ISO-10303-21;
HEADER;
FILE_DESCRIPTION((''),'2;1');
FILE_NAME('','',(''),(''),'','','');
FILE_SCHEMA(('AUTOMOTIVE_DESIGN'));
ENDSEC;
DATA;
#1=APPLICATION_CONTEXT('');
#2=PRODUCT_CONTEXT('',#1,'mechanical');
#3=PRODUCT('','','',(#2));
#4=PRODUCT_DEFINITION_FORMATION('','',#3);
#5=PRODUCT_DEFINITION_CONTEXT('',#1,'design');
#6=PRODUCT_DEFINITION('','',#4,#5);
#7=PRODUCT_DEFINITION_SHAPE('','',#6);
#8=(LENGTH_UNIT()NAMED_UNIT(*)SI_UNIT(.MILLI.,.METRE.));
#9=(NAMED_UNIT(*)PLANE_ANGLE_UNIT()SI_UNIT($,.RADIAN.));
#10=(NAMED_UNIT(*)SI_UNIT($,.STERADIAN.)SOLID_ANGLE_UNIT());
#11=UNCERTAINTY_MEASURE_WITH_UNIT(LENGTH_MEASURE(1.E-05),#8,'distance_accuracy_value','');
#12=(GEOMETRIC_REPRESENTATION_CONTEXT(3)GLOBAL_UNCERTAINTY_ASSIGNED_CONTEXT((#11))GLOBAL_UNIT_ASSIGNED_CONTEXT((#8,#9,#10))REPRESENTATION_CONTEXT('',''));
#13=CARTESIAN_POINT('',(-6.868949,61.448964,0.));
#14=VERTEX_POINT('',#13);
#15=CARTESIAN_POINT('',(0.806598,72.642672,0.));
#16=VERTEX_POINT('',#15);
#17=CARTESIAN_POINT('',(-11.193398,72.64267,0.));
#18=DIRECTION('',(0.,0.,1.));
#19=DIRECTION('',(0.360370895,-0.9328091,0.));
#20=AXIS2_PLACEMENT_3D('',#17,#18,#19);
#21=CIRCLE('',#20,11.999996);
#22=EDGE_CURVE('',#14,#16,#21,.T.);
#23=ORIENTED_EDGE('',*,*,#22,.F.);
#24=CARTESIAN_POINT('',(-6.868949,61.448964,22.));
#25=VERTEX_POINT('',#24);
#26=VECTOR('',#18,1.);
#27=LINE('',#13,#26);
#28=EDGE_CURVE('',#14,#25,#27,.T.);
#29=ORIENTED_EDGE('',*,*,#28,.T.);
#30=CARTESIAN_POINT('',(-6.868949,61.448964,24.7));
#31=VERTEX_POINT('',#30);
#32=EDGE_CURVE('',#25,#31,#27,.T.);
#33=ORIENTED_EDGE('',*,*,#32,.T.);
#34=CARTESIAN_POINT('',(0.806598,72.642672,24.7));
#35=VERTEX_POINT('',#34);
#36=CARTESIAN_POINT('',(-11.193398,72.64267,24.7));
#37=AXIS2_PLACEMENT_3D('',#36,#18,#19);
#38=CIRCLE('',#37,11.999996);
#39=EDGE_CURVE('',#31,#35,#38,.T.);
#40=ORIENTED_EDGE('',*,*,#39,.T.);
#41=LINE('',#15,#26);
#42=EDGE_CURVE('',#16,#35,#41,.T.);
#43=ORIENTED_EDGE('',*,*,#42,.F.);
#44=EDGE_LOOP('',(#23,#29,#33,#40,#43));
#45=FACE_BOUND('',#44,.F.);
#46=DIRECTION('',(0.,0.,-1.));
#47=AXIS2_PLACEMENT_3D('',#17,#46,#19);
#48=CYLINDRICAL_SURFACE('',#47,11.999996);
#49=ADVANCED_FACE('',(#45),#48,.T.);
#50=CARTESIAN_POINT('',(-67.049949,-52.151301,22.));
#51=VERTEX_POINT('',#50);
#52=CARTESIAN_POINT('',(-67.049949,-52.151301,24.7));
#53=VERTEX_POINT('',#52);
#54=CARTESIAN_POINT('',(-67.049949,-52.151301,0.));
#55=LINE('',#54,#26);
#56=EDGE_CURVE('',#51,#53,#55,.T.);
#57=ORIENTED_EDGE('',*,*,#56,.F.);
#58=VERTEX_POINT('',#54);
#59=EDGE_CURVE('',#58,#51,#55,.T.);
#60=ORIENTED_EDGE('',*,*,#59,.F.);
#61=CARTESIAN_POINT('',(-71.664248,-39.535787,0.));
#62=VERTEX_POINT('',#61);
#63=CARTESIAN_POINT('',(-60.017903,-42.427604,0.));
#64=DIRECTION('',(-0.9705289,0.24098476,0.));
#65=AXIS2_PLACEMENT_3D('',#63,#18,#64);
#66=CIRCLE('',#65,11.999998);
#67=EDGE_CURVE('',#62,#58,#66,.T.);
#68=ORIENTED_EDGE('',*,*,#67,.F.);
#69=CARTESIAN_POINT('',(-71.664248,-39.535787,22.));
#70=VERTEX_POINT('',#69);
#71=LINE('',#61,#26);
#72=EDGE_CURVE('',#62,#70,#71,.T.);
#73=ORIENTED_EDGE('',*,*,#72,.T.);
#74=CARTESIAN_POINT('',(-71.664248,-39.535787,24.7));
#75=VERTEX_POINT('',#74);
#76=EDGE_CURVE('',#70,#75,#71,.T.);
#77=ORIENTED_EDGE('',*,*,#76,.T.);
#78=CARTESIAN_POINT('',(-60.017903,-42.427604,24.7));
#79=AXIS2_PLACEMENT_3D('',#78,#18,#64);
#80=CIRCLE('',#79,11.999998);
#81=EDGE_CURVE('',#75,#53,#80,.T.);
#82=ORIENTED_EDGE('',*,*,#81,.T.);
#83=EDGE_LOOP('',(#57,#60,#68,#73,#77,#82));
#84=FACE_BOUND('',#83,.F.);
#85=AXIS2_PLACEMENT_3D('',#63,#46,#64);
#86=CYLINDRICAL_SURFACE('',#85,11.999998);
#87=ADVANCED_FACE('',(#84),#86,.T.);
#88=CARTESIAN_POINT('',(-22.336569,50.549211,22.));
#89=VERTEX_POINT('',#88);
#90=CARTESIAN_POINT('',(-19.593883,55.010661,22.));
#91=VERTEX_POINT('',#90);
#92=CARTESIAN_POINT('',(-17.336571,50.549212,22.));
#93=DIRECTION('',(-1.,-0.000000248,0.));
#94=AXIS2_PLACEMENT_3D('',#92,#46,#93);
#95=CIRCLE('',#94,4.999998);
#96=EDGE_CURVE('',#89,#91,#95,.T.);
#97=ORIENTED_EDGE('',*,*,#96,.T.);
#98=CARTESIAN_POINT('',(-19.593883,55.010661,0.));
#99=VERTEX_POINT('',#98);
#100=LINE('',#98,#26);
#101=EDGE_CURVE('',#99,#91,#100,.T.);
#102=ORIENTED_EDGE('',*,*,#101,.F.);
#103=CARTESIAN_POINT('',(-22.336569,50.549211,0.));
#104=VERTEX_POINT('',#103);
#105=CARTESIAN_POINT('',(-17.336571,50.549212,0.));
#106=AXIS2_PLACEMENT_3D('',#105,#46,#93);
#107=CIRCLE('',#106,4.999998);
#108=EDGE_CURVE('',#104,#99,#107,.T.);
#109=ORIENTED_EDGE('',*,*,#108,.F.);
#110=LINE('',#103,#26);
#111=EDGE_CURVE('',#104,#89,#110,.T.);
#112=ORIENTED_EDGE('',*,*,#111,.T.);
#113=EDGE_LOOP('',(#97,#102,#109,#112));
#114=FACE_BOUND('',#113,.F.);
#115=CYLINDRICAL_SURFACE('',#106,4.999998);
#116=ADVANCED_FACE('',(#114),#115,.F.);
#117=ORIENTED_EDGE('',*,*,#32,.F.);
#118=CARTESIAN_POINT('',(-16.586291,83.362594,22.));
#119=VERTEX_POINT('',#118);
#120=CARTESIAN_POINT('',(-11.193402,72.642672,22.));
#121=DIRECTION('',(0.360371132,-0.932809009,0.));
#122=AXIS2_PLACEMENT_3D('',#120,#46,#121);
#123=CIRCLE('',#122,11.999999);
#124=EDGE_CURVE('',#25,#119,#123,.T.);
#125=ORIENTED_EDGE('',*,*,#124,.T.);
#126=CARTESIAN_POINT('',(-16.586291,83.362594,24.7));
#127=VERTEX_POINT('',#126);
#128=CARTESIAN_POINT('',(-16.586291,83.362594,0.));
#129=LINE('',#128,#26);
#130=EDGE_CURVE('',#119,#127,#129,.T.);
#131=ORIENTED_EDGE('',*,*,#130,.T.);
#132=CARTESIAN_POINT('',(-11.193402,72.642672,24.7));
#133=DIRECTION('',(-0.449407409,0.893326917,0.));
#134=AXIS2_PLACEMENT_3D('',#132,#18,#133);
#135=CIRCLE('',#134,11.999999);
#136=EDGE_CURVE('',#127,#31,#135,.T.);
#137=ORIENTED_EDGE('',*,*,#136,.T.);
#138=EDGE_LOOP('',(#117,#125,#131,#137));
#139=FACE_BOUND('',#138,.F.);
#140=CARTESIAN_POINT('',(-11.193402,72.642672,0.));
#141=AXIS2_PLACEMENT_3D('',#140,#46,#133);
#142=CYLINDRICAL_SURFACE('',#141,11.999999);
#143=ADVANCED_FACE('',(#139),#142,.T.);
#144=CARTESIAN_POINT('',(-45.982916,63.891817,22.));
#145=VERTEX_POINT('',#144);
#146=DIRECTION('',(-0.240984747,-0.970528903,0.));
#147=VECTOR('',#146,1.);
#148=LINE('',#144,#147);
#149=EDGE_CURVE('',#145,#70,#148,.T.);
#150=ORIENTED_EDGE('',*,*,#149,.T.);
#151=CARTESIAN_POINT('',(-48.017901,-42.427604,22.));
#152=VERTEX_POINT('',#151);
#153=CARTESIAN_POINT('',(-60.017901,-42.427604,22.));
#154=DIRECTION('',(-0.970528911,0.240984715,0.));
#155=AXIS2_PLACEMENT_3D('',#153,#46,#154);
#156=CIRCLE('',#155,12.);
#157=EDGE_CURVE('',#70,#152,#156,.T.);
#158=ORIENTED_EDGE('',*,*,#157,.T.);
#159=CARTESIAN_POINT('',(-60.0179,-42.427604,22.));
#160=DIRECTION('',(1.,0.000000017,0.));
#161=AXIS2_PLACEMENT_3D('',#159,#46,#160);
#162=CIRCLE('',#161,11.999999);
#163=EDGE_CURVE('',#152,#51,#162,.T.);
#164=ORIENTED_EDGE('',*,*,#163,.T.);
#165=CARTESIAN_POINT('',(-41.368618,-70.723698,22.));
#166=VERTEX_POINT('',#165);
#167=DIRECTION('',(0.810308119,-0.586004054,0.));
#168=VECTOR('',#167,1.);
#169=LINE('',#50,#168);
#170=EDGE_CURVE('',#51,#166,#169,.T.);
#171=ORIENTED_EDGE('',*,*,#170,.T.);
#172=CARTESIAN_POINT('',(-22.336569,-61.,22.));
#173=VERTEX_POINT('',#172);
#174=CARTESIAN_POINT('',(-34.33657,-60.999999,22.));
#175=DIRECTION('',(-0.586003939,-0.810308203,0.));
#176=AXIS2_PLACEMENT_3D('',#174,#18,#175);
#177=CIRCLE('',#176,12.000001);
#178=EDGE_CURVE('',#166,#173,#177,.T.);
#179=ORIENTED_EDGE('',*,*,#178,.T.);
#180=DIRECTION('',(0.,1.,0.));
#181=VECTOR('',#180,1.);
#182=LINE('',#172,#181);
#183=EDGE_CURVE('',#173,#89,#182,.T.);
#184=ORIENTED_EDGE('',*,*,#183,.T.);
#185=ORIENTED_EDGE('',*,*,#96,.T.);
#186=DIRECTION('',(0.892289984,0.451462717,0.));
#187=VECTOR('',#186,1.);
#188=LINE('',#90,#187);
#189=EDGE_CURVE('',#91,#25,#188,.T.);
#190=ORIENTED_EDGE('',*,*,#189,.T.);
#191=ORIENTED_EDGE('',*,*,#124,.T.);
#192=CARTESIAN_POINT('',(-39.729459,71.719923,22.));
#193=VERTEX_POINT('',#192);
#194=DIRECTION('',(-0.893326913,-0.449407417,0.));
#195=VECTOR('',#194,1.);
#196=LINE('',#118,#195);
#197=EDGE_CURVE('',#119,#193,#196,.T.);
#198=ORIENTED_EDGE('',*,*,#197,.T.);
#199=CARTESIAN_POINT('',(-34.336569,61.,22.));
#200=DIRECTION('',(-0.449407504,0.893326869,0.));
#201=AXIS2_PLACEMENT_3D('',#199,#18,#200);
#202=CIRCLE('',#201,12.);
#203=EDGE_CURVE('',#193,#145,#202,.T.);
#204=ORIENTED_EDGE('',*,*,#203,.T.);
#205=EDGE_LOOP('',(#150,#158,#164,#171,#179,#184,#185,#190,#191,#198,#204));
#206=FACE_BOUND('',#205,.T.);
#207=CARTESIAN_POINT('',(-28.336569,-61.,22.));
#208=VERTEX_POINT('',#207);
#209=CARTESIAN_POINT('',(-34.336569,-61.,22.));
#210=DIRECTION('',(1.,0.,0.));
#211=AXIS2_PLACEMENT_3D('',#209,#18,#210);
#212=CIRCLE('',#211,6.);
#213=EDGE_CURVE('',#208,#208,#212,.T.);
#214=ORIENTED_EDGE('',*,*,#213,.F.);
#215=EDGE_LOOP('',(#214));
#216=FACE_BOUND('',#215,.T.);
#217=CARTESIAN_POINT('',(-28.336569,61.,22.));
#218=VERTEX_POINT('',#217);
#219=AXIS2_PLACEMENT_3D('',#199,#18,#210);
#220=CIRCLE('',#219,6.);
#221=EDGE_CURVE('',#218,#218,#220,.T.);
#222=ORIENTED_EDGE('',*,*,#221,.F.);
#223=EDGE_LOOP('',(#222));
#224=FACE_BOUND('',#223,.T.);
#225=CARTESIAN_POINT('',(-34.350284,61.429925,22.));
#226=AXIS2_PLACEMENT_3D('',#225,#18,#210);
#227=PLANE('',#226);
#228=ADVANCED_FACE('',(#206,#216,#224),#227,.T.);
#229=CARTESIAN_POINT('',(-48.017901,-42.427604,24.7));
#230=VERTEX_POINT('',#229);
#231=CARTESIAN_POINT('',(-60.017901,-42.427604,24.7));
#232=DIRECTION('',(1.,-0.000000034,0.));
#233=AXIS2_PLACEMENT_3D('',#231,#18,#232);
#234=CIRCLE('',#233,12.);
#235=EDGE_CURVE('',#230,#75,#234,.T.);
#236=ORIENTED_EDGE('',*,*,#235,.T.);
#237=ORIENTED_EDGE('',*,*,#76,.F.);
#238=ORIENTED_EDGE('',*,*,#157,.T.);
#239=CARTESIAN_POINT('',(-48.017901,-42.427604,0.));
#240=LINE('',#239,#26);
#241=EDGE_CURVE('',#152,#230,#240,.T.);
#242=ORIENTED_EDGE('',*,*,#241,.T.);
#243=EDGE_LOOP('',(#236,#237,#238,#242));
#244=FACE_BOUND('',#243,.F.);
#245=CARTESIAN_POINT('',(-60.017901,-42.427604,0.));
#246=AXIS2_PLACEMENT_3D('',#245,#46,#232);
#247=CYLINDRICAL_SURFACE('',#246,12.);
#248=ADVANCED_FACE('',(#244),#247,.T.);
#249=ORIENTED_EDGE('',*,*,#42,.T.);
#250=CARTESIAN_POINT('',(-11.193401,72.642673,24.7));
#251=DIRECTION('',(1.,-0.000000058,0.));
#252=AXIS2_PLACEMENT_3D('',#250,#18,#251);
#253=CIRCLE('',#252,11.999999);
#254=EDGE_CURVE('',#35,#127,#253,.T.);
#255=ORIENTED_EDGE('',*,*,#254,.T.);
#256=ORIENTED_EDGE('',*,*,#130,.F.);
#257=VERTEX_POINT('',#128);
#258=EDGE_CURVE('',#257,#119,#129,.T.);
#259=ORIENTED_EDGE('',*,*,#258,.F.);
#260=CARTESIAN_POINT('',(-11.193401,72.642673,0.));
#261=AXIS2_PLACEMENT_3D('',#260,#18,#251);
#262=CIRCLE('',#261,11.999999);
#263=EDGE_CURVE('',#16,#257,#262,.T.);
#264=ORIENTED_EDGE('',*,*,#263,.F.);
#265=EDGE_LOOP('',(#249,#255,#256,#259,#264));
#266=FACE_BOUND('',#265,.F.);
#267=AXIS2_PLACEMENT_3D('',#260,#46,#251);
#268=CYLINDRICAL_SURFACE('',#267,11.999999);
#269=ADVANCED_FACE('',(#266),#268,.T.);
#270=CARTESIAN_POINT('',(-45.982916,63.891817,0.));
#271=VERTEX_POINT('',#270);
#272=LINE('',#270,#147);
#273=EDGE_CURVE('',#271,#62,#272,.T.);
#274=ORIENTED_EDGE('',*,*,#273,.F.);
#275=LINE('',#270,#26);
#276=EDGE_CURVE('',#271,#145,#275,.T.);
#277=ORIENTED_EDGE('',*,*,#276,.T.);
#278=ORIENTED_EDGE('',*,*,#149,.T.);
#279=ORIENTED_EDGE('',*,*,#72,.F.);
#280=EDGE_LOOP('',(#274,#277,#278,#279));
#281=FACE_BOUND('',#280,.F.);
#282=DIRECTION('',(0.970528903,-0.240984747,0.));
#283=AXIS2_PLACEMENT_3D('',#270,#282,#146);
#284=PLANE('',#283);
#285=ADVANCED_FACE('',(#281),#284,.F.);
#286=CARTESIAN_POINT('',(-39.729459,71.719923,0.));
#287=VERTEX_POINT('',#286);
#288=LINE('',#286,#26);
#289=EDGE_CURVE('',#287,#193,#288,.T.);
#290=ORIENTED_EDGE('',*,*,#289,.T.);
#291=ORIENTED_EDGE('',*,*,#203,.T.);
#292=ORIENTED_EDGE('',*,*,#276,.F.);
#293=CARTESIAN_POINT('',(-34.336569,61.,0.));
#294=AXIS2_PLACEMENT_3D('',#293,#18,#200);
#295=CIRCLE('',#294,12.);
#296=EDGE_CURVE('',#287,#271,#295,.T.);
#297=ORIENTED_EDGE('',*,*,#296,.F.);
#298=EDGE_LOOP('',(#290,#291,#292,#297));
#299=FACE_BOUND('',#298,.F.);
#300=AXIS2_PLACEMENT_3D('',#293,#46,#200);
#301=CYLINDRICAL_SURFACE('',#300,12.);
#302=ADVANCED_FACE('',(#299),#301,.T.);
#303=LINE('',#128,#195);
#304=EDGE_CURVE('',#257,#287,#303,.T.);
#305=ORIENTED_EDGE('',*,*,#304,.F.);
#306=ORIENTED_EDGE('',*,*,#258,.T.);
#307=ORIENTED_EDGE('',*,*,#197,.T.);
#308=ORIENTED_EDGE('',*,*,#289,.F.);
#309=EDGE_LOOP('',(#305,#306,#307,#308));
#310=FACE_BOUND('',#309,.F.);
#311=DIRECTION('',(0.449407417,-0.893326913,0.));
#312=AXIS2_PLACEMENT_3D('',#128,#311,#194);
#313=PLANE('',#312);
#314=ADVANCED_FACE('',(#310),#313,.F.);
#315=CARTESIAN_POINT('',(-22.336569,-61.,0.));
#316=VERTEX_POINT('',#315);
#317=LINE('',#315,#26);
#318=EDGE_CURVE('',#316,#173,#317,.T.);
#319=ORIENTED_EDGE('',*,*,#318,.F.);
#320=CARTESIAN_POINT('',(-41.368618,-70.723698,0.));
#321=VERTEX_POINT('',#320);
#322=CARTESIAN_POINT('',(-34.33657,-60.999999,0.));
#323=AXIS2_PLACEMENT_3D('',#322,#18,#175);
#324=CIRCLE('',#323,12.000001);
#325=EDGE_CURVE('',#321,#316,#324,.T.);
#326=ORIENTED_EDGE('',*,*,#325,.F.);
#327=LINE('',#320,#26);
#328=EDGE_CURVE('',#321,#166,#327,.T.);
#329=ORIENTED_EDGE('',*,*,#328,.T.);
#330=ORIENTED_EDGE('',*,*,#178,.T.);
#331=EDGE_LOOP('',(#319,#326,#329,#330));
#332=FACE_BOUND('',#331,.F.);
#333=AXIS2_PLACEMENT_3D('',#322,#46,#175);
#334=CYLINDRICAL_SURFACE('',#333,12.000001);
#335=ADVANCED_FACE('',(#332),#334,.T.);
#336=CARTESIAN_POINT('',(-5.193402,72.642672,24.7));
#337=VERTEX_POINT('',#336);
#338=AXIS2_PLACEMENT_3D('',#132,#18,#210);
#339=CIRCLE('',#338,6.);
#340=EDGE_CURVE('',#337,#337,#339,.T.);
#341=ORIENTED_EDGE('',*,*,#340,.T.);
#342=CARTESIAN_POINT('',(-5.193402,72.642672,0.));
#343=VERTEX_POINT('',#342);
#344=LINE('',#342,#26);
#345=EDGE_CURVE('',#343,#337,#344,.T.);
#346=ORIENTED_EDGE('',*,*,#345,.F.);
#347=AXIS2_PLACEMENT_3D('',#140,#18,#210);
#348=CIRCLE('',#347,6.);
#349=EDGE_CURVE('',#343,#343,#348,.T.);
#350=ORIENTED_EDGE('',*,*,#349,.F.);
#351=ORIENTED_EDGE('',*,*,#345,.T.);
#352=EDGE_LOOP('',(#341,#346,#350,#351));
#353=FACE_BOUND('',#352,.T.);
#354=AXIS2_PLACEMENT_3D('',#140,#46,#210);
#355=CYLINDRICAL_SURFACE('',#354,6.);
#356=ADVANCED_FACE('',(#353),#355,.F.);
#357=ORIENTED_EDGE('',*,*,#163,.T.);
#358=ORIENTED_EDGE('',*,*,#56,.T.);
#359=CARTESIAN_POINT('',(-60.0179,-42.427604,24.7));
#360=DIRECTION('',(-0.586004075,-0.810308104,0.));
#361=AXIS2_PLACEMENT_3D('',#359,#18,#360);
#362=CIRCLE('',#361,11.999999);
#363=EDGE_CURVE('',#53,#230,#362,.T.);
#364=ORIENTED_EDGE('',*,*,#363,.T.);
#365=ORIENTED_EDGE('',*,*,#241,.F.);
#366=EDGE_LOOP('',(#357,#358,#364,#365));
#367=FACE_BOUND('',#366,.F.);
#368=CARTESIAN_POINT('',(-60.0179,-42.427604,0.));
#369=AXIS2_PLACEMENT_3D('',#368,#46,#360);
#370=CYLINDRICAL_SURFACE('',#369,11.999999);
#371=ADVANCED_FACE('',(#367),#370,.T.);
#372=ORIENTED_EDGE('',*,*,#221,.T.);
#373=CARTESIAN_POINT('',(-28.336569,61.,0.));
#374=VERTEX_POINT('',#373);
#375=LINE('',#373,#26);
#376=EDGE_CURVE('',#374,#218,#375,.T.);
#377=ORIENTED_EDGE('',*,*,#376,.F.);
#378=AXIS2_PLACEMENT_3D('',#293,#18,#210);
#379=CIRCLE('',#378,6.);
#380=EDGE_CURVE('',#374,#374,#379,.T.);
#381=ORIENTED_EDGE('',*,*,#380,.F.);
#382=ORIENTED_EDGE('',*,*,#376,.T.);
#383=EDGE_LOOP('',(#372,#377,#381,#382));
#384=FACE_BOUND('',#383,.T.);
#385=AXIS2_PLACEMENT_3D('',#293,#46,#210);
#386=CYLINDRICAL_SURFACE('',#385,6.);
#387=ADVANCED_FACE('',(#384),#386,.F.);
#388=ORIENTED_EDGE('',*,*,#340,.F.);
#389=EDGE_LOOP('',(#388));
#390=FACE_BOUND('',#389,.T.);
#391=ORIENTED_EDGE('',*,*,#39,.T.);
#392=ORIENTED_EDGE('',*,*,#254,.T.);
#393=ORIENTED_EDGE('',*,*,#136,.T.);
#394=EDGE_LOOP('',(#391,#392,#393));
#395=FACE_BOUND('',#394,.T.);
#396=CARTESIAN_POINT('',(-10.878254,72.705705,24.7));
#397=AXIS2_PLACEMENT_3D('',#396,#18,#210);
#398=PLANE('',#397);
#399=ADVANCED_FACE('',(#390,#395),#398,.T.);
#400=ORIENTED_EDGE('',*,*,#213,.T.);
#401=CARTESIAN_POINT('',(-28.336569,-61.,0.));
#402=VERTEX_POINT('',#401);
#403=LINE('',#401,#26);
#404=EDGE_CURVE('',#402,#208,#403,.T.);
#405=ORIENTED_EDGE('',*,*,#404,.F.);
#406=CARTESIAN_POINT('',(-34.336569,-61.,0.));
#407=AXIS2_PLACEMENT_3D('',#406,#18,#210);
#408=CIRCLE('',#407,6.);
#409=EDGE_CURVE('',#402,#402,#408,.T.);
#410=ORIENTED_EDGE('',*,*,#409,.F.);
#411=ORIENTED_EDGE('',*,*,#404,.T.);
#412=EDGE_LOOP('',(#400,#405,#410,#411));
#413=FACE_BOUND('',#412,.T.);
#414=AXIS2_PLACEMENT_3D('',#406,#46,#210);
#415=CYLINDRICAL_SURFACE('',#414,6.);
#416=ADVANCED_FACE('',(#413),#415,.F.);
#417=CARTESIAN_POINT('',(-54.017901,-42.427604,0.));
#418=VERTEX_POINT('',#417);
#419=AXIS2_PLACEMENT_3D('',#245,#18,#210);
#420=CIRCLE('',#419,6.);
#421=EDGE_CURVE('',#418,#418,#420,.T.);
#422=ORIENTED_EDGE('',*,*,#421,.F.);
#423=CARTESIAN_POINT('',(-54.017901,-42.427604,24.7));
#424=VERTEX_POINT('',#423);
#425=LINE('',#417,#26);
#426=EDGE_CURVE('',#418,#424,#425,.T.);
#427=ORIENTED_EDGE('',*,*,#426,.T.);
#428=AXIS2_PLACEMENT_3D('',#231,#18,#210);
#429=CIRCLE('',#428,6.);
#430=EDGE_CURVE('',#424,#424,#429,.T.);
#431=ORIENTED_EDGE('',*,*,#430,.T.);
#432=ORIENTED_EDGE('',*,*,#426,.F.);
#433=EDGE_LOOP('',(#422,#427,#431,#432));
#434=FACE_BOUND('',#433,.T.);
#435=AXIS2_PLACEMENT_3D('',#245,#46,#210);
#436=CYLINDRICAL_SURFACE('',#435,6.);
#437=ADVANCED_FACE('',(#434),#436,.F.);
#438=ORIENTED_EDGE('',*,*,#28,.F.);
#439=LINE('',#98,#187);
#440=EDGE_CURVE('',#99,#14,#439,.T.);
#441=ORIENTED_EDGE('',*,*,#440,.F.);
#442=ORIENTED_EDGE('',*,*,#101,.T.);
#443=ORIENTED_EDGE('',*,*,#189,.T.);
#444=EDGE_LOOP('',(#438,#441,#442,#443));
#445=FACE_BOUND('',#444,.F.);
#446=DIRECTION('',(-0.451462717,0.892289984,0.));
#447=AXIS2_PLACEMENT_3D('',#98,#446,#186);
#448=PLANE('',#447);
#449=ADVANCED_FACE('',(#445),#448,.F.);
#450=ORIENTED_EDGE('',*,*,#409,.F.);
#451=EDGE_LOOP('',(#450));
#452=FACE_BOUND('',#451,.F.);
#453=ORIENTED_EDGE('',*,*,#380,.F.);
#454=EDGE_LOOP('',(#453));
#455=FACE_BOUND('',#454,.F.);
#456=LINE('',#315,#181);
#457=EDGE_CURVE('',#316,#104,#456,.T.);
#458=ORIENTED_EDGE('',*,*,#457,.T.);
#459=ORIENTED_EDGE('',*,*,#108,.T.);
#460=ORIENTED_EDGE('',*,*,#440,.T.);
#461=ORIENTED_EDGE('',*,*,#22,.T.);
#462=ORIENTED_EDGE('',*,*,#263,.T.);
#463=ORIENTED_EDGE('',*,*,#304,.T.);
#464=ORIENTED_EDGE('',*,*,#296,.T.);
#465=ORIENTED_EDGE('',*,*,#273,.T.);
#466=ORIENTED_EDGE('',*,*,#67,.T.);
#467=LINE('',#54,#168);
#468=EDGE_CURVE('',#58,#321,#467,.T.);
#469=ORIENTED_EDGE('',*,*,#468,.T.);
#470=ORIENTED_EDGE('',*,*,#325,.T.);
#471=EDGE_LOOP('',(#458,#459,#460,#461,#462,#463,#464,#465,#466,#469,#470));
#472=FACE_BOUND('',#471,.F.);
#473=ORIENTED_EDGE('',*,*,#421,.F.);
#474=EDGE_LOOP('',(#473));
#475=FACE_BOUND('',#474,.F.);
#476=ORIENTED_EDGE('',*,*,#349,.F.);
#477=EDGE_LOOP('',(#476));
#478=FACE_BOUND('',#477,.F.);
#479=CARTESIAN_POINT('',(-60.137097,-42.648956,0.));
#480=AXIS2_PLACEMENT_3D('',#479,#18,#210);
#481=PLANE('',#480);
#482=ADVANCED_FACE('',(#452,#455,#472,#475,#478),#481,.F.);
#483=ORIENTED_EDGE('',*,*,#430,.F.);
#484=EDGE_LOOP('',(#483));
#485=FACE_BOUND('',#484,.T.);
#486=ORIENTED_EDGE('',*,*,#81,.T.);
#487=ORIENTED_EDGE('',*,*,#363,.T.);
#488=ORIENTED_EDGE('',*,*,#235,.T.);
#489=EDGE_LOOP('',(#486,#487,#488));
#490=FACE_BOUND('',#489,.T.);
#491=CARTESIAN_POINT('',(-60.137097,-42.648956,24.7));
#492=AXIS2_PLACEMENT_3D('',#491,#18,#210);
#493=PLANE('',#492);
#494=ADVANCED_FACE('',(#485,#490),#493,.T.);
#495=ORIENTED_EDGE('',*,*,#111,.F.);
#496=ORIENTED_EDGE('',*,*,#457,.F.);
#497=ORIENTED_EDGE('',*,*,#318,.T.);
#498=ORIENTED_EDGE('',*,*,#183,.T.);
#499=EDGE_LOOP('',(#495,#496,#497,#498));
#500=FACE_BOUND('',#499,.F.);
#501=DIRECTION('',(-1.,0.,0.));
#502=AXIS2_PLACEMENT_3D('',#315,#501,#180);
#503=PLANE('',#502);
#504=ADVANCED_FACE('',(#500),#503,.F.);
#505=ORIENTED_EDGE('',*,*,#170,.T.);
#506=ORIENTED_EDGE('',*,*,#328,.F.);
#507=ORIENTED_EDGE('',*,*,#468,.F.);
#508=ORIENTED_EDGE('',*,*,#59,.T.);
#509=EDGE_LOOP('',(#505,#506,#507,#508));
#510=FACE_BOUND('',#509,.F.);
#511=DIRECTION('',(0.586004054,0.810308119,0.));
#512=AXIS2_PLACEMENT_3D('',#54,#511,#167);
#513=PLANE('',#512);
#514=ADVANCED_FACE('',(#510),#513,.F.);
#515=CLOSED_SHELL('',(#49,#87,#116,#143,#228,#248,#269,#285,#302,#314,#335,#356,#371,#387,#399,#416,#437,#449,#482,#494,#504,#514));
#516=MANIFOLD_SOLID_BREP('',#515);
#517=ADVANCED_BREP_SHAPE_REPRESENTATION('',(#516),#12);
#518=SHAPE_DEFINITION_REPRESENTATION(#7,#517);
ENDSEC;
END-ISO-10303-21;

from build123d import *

# Parameters (mm, degrees)
F0_R     = 6
F1_DEPTH = 22
F2_DEPTH = 24.7


with BuildPart() as f1:
    # F0 (on Top) → F1 (new body)
    with BuildSketch(Plane.XY):
        with BuildLine():
            ThreePointArc((-39.729459, 71.719923), (-43.712267, 68.489746), (-45.982916, 63.891817))
            ThreePointArc((-45.982916, 63.891817), (-35.79325, 49.088741), (-22.336569, 61))
            ThreePointArc((-22.336569, 61), (-28.040327, 71.215544), (-39.729459, 71.719923))
        make_face()
        with Locations((-34.336569, 61)):
            Circle(F0_R, mode=Mode.SUBTRACT)
        with BuildLine():
            ThreePointArc((-41.368618, -70.723698), (-28.876926, -71.686079), (-22.336569, -61))
            ThreePointArc((-22.336569, -61), (-39.796213, -50.313921), (-41.368618, -70.723698))
        make_face()
        with Locations((-34.336569, -61)):
            Circle(F0_R, mode=Mode.SUBTRACT)
        with BuildLine():
            ThreePointArc((-41.368618, -70.723698), (-39.796213, -50.313921), (-22.336569, -61))
            Line((-22.336569, -61), (-22.336569, 50.549211))
            ThreePointArc((-22.336569, 50.549211), (-21.596063, 53.167744), (-19.593883, 55.010661))
            Line((-19.593883, 55.010661), (-6.868949, 61.448964))
            ThreePointArc((-6.868949, 61.448964), (-22.163233, 67.778229), (-16.586291, 83.362594))
            Line((-16.586291, 83.362594), (-39.729459, 71.719923))
            ThreePointArc((-39.729459, 71.719923), (-28.040327, 71.215544), (-22.336569, 61))
            ThreePointArc((-22.336569, 61), (-35.79325, 49.088741), (-45.982916, 63.891817))
            Line((-45.982916, 63.891817), (-71.664248, -39.535787))
            ThreePointArc((-71.664248, -39.535787), (-58.56122, -30.516345), (-48.017901, -42.427604))
            ThreePointArc((-48.017901, -42.427604), (-54.558257, -53.113683), (-67.049949, -52.151301))
            Line((-67.049949, -52.151301), (-41.368618, -70.723698))
        make_face()
    extrude(amount=F1_DEPTH)

    # F0 (on Top) → F2 (join)
    with BuildSketch(Plane.XY):
        with BuildLine():
            ThreePointArc((-71.664248, -39.535787), (-71.287702, -46.549689), (-67.049949, -52.151301))
            ThreePointArc((-67.049949, -52.151301), (-54.558257, -53.113683), (-48.017901, -42.427604))
            ThreePointArc((-48.017901, -42.427604), (-58.56122, -30.516345), (-71.664248, -39.535787))
        make_face()
        with Locations((-60.017901, -42.427604)):
            Circle(F0_R, mode=Mode.SUBTRACT)
        with BuildLine():
            ThreePointArc((-16.586291, 83.362594), (-22.163233, 67.778229), (-6.868949, 61.448964))
            ThreePointArc((-6.868949, 61.448964), (-1.296598, 65.856415), (0.806598, 72.642672))
            ThreePointArc((0.806598, 72.642672), (-4.89716, 82.858216), (-16.586291, 83.362594))
        make_face()
        with Locations((-11.193402, 72.642672)):
            Circle(F0_R, mode=Mode.SUBTRACT)
    extrude(amount=F2_DEPTH)


solid = f1.part
